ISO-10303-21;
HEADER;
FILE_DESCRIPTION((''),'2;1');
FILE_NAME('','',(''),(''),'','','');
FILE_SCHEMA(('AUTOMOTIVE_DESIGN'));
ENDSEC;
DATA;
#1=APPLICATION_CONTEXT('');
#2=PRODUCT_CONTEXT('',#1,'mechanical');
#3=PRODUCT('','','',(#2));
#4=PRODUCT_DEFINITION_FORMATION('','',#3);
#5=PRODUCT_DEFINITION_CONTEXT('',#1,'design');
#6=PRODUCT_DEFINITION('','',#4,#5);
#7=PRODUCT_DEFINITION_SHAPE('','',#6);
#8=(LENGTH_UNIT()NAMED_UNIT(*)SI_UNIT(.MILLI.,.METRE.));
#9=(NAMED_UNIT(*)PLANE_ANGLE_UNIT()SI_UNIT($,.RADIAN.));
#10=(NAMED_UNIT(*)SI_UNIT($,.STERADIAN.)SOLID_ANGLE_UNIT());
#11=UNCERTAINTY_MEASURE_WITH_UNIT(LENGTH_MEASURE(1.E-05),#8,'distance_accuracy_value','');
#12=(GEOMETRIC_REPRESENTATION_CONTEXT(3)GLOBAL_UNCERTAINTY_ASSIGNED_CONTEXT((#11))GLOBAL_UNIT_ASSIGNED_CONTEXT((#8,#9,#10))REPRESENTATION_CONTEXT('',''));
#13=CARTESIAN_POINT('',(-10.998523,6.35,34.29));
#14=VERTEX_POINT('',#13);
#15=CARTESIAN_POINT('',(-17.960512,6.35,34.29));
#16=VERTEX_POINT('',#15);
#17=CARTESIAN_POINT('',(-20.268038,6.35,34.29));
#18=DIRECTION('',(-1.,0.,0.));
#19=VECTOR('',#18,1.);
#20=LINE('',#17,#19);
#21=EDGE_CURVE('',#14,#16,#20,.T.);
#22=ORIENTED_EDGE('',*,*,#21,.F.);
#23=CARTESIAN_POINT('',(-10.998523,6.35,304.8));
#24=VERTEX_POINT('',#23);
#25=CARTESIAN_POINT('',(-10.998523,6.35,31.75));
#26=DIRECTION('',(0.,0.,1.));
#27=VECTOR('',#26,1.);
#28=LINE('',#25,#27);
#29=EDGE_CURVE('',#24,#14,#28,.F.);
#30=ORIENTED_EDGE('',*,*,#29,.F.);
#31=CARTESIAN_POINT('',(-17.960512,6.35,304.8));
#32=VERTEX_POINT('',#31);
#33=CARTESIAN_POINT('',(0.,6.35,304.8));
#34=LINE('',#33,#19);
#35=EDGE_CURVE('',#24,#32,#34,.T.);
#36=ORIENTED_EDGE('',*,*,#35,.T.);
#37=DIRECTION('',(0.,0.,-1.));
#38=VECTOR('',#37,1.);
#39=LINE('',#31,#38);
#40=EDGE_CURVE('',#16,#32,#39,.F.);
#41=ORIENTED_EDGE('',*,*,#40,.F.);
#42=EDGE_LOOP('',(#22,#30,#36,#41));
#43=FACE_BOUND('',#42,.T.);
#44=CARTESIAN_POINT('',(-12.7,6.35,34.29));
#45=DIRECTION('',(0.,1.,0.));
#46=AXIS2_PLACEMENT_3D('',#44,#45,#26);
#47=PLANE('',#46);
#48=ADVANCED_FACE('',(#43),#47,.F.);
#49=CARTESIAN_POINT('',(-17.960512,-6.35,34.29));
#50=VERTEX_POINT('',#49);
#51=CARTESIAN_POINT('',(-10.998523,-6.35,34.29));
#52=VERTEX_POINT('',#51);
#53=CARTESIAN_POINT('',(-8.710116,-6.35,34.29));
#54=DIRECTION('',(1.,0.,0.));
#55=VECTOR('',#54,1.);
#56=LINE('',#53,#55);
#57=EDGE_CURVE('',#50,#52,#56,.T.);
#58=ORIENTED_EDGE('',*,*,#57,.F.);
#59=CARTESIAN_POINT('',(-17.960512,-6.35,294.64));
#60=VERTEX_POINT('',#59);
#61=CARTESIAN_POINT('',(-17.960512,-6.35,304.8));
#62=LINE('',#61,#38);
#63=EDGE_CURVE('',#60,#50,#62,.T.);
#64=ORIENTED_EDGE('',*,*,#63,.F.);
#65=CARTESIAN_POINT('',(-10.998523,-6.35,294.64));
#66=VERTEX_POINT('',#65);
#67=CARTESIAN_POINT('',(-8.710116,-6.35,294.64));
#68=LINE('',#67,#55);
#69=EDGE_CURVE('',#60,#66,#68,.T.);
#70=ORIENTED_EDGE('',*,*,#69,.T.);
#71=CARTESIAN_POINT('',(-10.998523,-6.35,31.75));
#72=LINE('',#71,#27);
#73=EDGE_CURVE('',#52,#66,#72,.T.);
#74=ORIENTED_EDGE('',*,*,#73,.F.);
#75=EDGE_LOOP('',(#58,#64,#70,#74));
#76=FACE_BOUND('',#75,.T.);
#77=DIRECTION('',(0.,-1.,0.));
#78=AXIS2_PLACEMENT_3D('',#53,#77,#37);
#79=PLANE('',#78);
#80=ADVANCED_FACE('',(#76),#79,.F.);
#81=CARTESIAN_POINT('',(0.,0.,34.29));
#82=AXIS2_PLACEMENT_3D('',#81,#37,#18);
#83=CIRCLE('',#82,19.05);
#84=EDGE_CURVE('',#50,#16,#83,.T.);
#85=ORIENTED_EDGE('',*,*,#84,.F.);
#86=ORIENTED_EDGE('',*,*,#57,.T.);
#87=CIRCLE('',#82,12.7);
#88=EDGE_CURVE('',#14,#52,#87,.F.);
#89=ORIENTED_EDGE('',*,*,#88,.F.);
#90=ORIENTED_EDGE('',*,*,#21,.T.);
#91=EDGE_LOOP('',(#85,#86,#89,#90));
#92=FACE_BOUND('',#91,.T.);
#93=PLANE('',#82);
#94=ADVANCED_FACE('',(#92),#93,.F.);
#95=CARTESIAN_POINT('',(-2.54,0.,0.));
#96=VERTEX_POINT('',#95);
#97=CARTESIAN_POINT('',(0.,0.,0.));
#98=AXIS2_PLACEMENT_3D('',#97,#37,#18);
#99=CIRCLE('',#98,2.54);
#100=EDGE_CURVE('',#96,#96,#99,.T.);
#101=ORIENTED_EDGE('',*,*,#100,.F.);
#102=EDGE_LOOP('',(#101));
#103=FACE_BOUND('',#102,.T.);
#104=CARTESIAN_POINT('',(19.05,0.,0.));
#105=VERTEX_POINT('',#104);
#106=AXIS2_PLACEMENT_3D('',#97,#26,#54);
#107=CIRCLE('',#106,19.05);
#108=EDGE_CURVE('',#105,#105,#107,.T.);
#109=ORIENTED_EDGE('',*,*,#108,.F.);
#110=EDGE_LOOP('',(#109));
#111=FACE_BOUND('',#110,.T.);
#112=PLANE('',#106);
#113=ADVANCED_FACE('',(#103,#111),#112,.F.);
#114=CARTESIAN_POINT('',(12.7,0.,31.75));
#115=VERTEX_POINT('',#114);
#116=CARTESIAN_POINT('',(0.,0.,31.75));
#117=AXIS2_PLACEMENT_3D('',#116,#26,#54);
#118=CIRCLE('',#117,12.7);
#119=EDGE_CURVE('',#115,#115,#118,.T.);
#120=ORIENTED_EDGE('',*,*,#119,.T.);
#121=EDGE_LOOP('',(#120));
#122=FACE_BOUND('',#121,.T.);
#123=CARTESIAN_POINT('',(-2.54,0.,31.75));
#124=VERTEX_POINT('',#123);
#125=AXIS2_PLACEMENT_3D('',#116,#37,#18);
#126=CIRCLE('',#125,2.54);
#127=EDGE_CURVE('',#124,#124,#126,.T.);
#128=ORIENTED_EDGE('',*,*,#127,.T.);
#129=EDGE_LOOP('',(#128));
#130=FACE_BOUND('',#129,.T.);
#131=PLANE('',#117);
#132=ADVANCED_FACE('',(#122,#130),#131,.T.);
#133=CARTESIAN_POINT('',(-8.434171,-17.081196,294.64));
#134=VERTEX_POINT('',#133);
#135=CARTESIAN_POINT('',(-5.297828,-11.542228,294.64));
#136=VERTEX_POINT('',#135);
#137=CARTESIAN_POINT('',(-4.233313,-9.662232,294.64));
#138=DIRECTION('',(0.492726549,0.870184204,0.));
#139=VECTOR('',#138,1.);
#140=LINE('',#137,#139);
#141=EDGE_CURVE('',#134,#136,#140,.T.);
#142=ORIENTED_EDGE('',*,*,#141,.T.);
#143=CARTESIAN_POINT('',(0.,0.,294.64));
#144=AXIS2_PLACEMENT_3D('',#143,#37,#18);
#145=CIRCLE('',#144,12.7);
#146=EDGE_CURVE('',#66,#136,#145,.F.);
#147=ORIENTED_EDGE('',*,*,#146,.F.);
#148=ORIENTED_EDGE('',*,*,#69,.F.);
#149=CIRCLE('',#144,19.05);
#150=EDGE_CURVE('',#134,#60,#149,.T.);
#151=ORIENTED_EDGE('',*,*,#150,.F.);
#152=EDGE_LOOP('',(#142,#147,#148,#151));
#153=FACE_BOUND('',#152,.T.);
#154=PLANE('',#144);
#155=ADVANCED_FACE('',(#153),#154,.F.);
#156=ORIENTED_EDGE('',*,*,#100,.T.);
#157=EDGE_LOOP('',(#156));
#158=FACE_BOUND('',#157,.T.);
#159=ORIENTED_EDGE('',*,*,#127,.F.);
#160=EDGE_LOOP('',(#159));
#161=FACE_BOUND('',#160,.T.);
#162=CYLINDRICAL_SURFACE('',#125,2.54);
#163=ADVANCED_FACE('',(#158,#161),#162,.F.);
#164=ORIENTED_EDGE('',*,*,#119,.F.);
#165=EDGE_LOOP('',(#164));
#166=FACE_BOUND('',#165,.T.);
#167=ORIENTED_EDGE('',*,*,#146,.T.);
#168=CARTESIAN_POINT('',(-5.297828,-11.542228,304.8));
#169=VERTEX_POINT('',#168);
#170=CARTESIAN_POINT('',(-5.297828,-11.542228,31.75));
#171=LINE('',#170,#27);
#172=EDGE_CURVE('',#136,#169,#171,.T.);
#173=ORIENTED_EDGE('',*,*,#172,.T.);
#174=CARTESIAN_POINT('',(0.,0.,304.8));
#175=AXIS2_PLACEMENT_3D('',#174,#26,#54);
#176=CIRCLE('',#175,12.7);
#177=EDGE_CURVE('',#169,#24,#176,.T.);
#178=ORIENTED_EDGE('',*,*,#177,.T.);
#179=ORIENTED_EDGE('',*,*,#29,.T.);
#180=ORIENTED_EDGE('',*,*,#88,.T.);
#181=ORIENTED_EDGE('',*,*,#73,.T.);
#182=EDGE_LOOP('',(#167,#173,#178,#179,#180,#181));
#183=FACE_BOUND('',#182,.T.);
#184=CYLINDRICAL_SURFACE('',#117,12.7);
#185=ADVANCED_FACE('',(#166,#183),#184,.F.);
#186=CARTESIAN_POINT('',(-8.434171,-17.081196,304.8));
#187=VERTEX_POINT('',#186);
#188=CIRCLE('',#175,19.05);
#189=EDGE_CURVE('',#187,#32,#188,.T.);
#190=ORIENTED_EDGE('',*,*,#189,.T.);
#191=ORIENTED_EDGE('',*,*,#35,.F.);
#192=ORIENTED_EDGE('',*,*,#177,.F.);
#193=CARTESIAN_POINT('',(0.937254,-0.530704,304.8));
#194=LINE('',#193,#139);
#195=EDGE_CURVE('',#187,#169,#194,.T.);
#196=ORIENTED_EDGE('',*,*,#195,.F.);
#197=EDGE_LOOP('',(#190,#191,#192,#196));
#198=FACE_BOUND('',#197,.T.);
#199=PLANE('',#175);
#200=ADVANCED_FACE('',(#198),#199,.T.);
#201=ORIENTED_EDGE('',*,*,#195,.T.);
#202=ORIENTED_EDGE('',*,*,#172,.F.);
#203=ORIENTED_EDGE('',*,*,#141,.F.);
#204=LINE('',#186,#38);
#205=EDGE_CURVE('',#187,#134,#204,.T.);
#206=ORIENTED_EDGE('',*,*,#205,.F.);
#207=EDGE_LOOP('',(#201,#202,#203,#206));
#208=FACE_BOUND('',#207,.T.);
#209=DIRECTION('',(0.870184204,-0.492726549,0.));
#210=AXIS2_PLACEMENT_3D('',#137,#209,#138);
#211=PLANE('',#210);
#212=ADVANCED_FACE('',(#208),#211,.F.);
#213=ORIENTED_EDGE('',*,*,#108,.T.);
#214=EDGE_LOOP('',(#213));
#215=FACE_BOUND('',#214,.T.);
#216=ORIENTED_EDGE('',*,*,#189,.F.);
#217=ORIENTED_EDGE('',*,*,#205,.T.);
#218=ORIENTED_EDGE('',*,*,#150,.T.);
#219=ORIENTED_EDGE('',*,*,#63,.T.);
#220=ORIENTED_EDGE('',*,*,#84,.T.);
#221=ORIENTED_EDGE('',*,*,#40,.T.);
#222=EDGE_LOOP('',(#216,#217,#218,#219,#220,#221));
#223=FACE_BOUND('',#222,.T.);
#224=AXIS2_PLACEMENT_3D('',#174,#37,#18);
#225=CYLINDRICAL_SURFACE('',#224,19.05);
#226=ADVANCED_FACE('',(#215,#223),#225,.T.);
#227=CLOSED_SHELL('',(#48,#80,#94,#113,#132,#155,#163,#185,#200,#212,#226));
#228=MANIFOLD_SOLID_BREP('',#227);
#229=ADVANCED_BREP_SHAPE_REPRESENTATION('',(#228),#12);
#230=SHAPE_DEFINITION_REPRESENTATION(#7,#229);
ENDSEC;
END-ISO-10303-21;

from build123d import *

# Parameters (mm, degrees)
SKETCH1_R           = 19.05
BOSS_EXTRUDE1_DEPTH = 304.8
SKETCH3_R           = 12.7
CUT_EXTRUDE1_DEPTH  = 273.05
SKETCH4_R           = 2.54
CUT_EXTRUDE2_DEPTH  = 31.75
CUT_EXTRUDE3_DEPTH  = 273.05
CUT_EXTRUDE4_DEPTH  = 12.7


with BuildPart() as part:
    # Sketch1 → Boss-Extrude1 (new body)
    with BuildSketch(Plane.XY):
        Circle(SKETCH1_R)
    extrude(amount=BOSS_EXTRUDE1_DEPTH)

    # Sketch3 → Cut-Extrude1 (cut)
    with BuildSketch(Plane.XY.offset(304.8)):
        Circle(SKETCH3_R)
    extrude(amount=-CUT_EXTRUDE1_DEPTH, mode=Mode.SUBTRACT)

    # Sketch4 → Cut-Extrude2 (cut)
    with BuildSketch(Plane(origin=(0, 0, 0), x_dir=(-1, 0, 0), z_dir=(0, 0, -1))):
        Circle(SKETCH4_R)
    extrude(amount=-CUT_EXTRUDE2_DEPTH, mode=Mode.SUBTRACT)

    # Sketch5 → Cut-Extrude3 (cut)
    with BuildSketch(Plane.XY.offset(307.34)):
        Polygon((-12.7, 6.35), (-8.710116392, 6.35), (-8.710116392, -6.35), (-20.268037983, -6.35), (-20.268037983, 6.35), align=None)
    extrude(amount=-CUT_EXTRUDE3_DEPTH, mode=Mode.SUBTRACT)

    # Sketch7 → Cut-Extrude4 (cut)
    with BuildSketch(Plane.XY.offset(307.34)):
        Polygon((-17.960512242, -6.35), (-18.177595791, -12.696288264), (-18.177595791, -17.489691447), (-8.665474889, -17.489691447), (-4.23331347, -9.662232457), (-8.307734332, -6.35), align=None)
    extrude(amount=-CUT_EXTRUDE4_DEPTH, mode=Mode.SUBTRACT)


solid = part.part
